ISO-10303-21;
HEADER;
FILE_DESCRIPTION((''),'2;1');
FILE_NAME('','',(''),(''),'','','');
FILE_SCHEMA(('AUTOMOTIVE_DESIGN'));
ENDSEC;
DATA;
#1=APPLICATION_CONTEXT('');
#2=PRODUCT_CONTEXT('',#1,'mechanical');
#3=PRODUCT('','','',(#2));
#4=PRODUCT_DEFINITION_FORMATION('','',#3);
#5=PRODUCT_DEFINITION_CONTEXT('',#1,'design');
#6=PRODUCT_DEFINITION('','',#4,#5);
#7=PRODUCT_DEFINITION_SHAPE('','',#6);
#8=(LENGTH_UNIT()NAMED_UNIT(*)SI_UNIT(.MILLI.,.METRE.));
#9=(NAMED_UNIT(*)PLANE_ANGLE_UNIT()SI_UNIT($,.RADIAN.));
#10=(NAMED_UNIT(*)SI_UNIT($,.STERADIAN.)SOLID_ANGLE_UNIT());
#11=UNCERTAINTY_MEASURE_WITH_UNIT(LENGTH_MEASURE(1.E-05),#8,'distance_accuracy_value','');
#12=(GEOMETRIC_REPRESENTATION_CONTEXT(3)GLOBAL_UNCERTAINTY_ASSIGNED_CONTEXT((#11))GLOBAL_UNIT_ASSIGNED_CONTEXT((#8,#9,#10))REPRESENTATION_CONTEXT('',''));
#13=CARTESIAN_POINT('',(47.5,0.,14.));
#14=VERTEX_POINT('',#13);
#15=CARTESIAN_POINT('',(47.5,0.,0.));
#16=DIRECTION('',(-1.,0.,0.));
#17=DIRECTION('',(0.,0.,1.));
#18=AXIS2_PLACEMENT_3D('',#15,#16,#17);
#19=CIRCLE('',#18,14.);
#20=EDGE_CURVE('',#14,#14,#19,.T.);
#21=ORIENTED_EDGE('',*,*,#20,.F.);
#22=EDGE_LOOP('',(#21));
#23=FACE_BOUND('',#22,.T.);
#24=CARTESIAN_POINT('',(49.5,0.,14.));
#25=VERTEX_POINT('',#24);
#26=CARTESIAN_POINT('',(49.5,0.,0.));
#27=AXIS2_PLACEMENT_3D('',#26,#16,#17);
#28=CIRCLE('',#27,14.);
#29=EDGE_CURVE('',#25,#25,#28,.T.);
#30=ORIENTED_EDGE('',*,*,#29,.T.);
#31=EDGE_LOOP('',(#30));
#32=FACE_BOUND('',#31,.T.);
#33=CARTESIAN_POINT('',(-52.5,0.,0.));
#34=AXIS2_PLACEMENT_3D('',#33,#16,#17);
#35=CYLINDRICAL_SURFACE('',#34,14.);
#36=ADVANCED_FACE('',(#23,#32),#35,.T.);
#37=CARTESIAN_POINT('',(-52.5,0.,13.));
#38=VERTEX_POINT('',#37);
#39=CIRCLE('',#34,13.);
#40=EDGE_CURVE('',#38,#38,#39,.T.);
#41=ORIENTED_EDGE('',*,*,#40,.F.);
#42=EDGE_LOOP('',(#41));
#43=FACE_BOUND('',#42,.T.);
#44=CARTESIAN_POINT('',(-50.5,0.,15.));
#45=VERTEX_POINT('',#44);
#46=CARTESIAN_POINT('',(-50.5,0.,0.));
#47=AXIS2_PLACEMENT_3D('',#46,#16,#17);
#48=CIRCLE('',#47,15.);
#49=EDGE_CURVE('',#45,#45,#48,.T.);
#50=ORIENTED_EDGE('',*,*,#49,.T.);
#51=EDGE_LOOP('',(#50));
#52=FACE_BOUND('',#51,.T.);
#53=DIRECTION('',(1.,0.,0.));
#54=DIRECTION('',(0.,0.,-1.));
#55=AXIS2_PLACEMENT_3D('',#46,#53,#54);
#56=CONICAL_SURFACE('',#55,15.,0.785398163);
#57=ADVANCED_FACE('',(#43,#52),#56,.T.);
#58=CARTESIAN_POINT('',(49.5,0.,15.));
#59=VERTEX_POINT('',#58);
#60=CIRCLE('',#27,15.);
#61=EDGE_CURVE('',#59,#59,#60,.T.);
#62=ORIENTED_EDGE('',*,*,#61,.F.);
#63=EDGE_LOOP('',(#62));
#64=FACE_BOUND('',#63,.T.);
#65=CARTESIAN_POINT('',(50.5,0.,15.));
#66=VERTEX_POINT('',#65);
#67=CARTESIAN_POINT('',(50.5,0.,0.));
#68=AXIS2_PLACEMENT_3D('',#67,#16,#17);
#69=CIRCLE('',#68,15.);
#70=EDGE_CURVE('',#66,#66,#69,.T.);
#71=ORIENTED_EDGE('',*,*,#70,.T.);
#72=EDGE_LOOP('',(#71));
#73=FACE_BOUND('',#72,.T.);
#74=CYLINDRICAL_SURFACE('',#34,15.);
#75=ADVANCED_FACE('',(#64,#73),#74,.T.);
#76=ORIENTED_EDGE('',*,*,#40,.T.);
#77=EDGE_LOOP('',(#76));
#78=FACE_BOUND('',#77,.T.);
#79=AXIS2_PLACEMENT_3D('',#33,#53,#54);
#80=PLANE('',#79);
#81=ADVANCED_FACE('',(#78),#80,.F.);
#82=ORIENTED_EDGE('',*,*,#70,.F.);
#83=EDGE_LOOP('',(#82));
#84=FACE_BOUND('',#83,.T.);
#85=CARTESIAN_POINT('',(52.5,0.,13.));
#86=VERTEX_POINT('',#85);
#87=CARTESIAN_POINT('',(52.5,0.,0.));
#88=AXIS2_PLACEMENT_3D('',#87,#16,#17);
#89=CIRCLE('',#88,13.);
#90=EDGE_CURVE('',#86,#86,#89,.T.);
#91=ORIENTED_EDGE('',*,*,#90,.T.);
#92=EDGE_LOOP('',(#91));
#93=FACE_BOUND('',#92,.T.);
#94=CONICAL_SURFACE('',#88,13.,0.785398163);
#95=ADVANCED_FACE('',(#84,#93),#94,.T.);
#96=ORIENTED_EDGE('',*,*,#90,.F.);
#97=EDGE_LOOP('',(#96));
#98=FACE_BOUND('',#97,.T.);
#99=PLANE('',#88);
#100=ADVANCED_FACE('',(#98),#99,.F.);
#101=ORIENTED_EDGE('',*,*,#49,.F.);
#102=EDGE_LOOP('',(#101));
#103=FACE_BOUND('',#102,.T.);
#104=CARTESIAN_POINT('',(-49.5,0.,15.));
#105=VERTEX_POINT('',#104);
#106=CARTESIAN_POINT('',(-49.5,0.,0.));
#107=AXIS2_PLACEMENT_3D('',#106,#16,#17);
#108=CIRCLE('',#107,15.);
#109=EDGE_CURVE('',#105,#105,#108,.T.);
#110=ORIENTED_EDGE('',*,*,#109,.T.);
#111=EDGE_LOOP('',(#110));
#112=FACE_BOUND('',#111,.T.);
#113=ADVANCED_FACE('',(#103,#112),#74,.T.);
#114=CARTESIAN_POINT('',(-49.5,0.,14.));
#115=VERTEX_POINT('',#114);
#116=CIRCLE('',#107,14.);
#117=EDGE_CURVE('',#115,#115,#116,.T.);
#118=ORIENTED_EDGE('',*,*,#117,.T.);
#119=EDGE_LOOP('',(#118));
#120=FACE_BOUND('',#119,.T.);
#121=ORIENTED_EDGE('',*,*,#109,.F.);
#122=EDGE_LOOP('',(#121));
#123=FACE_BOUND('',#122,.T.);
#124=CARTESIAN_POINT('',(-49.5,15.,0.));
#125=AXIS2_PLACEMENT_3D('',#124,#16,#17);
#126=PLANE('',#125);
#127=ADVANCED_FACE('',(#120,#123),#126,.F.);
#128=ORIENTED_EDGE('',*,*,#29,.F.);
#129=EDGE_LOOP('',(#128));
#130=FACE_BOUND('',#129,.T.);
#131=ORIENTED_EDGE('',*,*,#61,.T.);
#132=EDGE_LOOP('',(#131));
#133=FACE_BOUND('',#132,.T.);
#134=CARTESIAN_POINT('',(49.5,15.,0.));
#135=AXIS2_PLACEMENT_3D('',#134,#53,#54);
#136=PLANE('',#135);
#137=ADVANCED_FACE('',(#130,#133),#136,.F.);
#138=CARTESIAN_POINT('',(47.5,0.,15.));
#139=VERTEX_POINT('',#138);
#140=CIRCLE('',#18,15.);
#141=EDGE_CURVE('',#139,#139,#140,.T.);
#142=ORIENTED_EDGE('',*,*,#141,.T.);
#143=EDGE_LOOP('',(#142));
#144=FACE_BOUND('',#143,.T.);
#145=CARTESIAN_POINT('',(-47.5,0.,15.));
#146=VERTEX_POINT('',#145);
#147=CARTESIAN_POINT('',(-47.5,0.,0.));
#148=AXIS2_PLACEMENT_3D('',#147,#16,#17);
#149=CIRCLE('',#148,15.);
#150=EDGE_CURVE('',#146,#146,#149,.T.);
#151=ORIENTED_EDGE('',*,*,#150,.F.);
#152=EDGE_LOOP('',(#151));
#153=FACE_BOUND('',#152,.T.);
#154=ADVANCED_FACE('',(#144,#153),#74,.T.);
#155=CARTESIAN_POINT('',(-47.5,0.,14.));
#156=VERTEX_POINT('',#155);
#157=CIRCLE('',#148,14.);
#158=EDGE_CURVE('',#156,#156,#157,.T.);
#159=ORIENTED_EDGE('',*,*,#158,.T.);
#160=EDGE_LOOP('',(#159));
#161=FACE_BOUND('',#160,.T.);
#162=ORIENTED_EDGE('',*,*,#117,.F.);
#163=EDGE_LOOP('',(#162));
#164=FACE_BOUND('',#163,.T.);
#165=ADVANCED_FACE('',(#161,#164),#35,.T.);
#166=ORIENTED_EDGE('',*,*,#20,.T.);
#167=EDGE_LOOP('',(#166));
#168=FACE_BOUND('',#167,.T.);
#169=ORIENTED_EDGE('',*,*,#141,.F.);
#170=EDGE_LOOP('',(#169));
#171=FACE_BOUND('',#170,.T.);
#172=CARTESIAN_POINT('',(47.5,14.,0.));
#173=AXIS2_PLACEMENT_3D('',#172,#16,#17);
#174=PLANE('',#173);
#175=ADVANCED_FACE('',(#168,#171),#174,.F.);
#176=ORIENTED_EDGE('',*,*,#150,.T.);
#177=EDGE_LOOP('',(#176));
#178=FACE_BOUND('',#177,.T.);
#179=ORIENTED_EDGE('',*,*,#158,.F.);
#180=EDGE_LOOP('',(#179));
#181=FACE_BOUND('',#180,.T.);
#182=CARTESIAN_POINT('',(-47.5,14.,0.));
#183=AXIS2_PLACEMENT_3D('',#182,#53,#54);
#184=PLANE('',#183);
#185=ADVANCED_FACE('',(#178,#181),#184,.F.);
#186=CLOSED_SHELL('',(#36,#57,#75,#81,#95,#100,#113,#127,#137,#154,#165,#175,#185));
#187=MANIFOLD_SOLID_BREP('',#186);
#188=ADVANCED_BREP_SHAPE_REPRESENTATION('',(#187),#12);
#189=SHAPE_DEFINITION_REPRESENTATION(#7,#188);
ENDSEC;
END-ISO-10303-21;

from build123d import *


with BuildPart() as part:
    # Sketch1 → Revolve1 (revolve)
    with BuildSketch(Plane.XY, mode=Mode.PRIVATE) as revolve1_sk:
        Polygon((-52.5, 0), (-52.5, 13), (-50.5, 15), (-49.5, 15), (-49.5, 14), (-47.5, 14), (-47.5, 15), (47.5, 15), (47.5, 14), (49.5, 14), (49.5, 15), (50.5, 15), (52.5, 13), (52.5, 0), align=None)
    revolve(revolve1_sk.sketch.rotate(Axis((-52.5, 0, 0), (1, 0, 0)), 90), axis=Axis((-52.5, 0, 0), (1, 0, 0)))


solid = part.part
